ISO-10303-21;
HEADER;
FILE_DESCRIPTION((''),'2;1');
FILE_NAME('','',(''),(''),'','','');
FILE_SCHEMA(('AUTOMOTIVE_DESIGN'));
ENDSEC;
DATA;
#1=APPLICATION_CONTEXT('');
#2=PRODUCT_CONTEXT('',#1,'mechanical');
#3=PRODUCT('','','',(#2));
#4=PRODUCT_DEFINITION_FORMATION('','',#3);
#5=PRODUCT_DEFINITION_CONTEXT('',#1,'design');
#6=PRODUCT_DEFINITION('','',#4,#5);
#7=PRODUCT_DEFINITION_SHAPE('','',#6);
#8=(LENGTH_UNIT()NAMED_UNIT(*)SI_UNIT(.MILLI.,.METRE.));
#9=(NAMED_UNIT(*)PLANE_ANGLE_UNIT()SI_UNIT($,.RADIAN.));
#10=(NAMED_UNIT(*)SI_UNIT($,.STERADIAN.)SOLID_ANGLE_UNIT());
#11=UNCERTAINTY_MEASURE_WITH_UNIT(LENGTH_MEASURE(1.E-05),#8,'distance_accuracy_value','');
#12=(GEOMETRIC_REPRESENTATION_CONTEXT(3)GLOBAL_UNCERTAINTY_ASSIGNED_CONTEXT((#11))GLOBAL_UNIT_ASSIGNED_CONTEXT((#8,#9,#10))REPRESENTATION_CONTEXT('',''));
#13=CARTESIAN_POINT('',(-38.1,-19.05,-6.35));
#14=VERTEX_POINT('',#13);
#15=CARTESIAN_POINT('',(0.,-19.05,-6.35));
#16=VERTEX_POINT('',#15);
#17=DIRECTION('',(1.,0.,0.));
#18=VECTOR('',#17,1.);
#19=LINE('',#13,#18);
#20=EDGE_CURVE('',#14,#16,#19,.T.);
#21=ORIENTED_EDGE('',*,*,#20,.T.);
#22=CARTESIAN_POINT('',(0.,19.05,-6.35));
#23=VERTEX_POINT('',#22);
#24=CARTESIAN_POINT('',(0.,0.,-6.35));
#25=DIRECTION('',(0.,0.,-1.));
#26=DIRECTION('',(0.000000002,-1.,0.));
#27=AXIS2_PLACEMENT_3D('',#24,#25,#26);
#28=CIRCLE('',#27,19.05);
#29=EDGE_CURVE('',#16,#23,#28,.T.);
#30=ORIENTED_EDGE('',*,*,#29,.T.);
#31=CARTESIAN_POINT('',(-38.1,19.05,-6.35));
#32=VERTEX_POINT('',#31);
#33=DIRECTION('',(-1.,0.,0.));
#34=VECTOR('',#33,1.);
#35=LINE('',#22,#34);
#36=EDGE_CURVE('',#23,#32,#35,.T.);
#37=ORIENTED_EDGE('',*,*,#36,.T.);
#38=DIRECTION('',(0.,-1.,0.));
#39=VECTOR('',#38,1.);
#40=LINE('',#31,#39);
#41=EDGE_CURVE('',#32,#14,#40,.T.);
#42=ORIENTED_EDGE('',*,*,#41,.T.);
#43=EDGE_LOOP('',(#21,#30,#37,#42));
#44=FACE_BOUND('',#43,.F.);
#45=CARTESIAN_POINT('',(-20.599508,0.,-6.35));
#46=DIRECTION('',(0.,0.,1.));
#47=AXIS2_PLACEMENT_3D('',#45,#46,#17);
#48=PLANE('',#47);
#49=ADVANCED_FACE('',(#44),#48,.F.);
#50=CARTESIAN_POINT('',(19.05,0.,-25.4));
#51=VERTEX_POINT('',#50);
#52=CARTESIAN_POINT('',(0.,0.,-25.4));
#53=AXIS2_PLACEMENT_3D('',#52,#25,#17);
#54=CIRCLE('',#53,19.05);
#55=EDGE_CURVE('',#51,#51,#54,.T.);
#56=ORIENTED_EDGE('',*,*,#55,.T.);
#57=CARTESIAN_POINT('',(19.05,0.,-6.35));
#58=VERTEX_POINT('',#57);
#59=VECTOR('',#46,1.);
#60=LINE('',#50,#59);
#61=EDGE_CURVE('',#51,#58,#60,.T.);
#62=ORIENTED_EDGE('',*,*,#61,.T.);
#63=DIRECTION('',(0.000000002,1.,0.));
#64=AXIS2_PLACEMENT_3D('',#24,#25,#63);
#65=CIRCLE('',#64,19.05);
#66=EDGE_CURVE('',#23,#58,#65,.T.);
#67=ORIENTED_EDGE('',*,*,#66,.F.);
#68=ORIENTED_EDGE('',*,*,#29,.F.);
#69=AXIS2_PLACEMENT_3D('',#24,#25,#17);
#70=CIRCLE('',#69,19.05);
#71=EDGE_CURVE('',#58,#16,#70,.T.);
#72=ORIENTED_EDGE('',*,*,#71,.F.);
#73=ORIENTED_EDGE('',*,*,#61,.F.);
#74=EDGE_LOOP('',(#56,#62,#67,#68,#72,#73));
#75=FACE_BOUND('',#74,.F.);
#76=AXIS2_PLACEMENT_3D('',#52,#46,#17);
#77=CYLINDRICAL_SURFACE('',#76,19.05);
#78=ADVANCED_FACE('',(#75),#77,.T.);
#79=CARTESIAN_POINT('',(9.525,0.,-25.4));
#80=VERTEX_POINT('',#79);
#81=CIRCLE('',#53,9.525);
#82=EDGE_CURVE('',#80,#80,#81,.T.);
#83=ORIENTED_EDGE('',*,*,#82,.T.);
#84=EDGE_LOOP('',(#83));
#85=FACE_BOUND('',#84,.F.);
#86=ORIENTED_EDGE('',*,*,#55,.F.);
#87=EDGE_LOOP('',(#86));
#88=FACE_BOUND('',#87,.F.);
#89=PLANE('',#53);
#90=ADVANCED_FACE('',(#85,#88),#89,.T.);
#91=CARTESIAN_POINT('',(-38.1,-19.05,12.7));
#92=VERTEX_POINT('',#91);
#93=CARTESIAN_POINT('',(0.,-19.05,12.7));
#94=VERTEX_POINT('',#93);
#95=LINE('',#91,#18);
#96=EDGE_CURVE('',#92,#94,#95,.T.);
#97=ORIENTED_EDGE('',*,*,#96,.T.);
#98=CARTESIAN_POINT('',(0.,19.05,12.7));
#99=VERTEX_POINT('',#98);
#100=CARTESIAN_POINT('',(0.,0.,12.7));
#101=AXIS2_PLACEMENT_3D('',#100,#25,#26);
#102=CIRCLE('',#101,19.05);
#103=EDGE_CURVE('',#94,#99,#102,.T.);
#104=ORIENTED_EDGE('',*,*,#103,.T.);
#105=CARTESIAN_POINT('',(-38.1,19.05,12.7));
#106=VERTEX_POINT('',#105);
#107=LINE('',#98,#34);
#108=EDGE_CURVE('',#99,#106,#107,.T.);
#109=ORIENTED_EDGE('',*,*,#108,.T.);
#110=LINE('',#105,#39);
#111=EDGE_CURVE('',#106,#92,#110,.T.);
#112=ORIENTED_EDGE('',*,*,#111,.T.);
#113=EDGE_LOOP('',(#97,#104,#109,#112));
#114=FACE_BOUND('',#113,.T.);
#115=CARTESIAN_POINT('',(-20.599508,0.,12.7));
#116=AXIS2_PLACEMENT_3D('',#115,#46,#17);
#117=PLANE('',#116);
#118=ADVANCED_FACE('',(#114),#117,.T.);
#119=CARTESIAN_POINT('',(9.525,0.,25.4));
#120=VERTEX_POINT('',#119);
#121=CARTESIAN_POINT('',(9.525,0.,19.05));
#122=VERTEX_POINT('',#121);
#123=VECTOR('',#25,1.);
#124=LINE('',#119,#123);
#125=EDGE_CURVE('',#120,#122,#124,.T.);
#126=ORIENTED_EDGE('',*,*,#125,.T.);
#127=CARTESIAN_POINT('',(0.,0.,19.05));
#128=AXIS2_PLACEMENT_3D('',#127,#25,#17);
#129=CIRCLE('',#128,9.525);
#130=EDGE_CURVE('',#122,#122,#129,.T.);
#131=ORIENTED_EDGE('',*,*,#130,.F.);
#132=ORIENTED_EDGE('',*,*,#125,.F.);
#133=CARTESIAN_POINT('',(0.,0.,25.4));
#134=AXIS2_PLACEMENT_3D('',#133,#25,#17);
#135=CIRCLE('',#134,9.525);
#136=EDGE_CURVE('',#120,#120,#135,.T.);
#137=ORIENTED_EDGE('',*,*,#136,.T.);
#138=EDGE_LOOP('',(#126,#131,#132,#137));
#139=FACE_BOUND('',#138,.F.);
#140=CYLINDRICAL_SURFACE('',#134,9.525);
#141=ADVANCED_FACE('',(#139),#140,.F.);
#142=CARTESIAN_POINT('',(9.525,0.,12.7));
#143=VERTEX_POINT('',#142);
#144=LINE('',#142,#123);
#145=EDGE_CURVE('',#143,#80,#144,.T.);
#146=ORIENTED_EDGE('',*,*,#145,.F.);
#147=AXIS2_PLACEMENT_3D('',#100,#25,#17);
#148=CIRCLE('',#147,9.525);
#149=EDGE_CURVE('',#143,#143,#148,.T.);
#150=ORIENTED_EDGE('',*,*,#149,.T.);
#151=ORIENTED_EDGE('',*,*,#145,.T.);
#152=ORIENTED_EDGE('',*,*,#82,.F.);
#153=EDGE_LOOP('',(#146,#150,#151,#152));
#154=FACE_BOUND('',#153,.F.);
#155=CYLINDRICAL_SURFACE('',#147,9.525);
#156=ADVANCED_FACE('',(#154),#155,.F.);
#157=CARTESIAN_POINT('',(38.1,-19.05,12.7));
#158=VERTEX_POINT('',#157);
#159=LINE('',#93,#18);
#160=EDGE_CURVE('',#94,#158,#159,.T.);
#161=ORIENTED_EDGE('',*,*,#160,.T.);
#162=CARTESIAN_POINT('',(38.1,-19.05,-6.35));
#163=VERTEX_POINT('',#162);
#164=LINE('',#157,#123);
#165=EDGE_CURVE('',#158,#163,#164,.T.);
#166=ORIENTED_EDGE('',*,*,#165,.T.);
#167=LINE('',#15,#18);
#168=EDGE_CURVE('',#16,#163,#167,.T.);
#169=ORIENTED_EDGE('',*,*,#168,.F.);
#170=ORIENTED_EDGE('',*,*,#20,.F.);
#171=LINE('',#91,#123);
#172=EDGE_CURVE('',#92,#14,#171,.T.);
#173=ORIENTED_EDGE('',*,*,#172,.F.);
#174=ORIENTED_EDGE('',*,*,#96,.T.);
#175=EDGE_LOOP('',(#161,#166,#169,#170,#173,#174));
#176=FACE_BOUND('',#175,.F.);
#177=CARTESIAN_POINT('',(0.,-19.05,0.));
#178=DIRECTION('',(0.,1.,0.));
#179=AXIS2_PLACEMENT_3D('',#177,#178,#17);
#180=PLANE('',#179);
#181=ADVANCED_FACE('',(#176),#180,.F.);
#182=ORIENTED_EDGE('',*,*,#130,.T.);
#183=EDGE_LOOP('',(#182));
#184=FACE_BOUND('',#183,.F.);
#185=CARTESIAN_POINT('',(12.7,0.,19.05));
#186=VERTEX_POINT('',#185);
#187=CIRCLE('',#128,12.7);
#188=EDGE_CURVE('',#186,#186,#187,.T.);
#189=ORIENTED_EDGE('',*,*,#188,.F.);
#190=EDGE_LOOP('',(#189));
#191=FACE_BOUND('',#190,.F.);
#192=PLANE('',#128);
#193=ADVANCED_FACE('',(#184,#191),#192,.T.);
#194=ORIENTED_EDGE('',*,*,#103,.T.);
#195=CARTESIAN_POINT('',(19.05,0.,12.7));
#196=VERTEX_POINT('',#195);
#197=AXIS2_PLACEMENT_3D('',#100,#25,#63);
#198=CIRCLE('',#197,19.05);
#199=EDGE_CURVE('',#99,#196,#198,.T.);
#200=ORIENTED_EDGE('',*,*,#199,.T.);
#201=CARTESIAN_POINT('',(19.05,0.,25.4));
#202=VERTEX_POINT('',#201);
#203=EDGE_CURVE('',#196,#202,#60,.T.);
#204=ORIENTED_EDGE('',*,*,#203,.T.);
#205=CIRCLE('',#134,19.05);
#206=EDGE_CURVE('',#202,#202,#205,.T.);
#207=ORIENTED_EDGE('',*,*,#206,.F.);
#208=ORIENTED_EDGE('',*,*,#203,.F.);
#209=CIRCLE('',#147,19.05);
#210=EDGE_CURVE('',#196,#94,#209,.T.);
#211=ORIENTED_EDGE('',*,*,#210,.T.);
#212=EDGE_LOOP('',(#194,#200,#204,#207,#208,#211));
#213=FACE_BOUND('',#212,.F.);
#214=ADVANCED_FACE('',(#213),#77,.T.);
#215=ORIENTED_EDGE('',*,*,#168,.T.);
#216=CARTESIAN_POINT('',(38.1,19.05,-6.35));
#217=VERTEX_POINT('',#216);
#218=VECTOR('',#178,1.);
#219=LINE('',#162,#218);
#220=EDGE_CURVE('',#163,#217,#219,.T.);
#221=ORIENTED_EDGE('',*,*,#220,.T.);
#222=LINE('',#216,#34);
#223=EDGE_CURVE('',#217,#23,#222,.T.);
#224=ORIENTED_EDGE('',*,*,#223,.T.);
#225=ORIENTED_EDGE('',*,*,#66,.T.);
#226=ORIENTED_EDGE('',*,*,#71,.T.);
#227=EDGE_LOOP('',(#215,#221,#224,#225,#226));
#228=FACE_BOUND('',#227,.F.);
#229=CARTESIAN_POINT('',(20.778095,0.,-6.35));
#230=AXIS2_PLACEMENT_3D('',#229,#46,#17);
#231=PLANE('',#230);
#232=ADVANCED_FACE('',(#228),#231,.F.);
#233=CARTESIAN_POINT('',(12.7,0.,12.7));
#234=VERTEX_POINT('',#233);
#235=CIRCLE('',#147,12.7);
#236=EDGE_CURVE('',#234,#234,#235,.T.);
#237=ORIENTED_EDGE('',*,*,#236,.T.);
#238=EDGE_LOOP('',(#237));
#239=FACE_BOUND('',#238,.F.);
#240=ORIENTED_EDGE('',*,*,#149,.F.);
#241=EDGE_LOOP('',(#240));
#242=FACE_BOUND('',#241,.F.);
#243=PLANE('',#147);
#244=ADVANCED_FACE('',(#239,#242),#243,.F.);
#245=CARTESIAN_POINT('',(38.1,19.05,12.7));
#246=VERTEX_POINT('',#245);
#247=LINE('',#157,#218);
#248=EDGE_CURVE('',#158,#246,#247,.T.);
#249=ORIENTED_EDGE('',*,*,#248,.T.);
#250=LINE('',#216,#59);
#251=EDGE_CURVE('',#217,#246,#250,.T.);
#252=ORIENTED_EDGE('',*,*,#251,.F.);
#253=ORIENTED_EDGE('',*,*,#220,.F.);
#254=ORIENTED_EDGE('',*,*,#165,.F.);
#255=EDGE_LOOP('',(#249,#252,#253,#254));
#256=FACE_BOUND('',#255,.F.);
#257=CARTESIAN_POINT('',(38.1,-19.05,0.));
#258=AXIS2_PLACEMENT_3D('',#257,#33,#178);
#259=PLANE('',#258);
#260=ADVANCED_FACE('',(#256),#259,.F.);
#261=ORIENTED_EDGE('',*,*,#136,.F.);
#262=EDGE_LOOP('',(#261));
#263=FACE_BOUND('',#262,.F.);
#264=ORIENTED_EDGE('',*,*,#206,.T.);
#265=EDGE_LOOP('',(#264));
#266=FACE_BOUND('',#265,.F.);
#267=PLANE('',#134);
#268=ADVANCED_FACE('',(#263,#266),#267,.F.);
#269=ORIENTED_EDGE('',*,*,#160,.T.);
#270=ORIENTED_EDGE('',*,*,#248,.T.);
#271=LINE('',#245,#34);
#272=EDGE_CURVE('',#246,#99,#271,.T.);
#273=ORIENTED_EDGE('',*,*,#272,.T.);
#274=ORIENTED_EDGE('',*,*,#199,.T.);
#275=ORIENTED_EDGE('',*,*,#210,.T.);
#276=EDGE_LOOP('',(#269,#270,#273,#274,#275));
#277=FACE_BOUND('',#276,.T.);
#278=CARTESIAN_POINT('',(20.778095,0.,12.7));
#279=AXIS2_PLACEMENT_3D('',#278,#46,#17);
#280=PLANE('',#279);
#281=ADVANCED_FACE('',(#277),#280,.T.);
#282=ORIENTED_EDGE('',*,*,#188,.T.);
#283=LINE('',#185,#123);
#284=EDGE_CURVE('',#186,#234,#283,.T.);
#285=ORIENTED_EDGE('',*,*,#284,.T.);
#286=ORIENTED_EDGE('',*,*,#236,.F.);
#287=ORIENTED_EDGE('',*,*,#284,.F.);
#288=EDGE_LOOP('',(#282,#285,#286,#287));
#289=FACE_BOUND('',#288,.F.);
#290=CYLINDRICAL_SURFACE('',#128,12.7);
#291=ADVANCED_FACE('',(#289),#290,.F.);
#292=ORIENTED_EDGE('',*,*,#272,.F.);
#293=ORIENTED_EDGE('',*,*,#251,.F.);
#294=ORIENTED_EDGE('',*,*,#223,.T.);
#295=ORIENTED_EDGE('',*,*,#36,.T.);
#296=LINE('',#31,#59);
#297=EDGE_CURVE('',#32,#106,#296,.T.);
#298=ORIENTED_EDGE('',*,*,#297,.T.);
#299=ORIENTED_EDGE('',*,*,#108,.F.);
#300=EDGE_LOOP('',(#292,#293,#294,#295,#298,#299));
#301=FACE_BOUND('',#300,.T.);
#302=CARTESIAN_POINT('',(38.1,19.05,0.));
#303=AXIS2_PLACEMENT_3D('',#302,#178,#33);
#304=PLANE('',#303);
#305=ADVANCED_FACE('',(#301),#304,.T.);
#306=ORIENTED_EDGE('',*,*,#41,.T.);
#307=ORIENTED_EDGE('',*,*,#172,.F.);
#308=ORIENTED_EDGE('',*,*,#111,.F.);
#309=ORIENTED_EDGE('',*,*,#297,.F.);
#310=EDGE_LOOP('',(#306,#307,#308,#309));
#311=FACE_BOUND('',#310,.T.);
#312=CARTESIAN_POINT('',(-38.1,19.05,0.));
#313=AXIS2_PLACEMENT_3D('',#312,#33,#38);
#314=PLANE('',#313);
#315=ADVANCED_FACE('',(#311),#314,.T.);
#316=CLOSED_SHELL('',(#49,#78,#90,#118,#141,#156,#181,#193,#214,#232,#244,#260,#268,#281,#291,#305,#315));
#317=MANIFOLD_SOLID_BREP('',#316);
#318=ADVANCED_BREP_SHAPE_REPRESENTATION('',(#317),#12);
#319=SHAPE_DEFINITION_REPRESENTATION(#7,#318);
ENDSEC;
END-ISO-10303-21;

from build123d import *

# Parameters (mm, degrees)
F3_DEPTH = 6.35
F4_DEPTH = 6.35


with BuildPart() as f1:
    # F0 (on Front) → F1 (revolve)
    with BuildSketch(Plane.XZ):
        Polygon((9.525, 12.7), (9.525, 0), (9.525, -25.4), (19.05, -25.4), (19.05, 25.4), (9.525, 25.4), (9.525, 19.05), (12.7, 19.05), (12.7, 12.7), align=None)
    revolve(axis=Axis((0, 0, -5.176147446), (0, 0, -1)))

    # F2 (on Top) → F3 (join, symmetric)
    with BuildSketch(Plane.XY):
        with BuildLine():
            Line((38.1, -19.05), (38.1, 19.05))
            Line((38.1, 19.05), (3.68e-08, 19.05))
            ThreePointArc((3.68e-08, 19.05), (13.4703841946, 13.4703841686), (19.05, 0))
            ThreePointArc((19.05, 0), (13.4703841946, -13.4703841686), (3.68e-08, -19.05))
            Line((3.68e-08, -19.05), (38.1, -19.05))
        make_face()
        with BuildLine():
            ThreePointArc((3.68e-08, -19.05), (-19.05, 0), (3.68e-08, 19.05))
            Line((3.68e-08, 19.05), (-38.1, 19.05))
            Line((-38.1, 19.05), (-38.1, -19.05))
            Line((-38.1, -19.05), (3.68e-08, -19.05))
        make_face()
    extrude(amount=F3_DEPTH, both=True)

    # F4 (add, symmetric): faces of the model
    f4_faces = [f1.faces().sort_by_distance(p)[0] for p in [
        (-26.1402535738, 0, 6.35),
        (26.1402535738, 0, 6.35),
    ]]
    extrude(f4_faces, amount=F4_DEPTH, both=True)


solid = f1.part
